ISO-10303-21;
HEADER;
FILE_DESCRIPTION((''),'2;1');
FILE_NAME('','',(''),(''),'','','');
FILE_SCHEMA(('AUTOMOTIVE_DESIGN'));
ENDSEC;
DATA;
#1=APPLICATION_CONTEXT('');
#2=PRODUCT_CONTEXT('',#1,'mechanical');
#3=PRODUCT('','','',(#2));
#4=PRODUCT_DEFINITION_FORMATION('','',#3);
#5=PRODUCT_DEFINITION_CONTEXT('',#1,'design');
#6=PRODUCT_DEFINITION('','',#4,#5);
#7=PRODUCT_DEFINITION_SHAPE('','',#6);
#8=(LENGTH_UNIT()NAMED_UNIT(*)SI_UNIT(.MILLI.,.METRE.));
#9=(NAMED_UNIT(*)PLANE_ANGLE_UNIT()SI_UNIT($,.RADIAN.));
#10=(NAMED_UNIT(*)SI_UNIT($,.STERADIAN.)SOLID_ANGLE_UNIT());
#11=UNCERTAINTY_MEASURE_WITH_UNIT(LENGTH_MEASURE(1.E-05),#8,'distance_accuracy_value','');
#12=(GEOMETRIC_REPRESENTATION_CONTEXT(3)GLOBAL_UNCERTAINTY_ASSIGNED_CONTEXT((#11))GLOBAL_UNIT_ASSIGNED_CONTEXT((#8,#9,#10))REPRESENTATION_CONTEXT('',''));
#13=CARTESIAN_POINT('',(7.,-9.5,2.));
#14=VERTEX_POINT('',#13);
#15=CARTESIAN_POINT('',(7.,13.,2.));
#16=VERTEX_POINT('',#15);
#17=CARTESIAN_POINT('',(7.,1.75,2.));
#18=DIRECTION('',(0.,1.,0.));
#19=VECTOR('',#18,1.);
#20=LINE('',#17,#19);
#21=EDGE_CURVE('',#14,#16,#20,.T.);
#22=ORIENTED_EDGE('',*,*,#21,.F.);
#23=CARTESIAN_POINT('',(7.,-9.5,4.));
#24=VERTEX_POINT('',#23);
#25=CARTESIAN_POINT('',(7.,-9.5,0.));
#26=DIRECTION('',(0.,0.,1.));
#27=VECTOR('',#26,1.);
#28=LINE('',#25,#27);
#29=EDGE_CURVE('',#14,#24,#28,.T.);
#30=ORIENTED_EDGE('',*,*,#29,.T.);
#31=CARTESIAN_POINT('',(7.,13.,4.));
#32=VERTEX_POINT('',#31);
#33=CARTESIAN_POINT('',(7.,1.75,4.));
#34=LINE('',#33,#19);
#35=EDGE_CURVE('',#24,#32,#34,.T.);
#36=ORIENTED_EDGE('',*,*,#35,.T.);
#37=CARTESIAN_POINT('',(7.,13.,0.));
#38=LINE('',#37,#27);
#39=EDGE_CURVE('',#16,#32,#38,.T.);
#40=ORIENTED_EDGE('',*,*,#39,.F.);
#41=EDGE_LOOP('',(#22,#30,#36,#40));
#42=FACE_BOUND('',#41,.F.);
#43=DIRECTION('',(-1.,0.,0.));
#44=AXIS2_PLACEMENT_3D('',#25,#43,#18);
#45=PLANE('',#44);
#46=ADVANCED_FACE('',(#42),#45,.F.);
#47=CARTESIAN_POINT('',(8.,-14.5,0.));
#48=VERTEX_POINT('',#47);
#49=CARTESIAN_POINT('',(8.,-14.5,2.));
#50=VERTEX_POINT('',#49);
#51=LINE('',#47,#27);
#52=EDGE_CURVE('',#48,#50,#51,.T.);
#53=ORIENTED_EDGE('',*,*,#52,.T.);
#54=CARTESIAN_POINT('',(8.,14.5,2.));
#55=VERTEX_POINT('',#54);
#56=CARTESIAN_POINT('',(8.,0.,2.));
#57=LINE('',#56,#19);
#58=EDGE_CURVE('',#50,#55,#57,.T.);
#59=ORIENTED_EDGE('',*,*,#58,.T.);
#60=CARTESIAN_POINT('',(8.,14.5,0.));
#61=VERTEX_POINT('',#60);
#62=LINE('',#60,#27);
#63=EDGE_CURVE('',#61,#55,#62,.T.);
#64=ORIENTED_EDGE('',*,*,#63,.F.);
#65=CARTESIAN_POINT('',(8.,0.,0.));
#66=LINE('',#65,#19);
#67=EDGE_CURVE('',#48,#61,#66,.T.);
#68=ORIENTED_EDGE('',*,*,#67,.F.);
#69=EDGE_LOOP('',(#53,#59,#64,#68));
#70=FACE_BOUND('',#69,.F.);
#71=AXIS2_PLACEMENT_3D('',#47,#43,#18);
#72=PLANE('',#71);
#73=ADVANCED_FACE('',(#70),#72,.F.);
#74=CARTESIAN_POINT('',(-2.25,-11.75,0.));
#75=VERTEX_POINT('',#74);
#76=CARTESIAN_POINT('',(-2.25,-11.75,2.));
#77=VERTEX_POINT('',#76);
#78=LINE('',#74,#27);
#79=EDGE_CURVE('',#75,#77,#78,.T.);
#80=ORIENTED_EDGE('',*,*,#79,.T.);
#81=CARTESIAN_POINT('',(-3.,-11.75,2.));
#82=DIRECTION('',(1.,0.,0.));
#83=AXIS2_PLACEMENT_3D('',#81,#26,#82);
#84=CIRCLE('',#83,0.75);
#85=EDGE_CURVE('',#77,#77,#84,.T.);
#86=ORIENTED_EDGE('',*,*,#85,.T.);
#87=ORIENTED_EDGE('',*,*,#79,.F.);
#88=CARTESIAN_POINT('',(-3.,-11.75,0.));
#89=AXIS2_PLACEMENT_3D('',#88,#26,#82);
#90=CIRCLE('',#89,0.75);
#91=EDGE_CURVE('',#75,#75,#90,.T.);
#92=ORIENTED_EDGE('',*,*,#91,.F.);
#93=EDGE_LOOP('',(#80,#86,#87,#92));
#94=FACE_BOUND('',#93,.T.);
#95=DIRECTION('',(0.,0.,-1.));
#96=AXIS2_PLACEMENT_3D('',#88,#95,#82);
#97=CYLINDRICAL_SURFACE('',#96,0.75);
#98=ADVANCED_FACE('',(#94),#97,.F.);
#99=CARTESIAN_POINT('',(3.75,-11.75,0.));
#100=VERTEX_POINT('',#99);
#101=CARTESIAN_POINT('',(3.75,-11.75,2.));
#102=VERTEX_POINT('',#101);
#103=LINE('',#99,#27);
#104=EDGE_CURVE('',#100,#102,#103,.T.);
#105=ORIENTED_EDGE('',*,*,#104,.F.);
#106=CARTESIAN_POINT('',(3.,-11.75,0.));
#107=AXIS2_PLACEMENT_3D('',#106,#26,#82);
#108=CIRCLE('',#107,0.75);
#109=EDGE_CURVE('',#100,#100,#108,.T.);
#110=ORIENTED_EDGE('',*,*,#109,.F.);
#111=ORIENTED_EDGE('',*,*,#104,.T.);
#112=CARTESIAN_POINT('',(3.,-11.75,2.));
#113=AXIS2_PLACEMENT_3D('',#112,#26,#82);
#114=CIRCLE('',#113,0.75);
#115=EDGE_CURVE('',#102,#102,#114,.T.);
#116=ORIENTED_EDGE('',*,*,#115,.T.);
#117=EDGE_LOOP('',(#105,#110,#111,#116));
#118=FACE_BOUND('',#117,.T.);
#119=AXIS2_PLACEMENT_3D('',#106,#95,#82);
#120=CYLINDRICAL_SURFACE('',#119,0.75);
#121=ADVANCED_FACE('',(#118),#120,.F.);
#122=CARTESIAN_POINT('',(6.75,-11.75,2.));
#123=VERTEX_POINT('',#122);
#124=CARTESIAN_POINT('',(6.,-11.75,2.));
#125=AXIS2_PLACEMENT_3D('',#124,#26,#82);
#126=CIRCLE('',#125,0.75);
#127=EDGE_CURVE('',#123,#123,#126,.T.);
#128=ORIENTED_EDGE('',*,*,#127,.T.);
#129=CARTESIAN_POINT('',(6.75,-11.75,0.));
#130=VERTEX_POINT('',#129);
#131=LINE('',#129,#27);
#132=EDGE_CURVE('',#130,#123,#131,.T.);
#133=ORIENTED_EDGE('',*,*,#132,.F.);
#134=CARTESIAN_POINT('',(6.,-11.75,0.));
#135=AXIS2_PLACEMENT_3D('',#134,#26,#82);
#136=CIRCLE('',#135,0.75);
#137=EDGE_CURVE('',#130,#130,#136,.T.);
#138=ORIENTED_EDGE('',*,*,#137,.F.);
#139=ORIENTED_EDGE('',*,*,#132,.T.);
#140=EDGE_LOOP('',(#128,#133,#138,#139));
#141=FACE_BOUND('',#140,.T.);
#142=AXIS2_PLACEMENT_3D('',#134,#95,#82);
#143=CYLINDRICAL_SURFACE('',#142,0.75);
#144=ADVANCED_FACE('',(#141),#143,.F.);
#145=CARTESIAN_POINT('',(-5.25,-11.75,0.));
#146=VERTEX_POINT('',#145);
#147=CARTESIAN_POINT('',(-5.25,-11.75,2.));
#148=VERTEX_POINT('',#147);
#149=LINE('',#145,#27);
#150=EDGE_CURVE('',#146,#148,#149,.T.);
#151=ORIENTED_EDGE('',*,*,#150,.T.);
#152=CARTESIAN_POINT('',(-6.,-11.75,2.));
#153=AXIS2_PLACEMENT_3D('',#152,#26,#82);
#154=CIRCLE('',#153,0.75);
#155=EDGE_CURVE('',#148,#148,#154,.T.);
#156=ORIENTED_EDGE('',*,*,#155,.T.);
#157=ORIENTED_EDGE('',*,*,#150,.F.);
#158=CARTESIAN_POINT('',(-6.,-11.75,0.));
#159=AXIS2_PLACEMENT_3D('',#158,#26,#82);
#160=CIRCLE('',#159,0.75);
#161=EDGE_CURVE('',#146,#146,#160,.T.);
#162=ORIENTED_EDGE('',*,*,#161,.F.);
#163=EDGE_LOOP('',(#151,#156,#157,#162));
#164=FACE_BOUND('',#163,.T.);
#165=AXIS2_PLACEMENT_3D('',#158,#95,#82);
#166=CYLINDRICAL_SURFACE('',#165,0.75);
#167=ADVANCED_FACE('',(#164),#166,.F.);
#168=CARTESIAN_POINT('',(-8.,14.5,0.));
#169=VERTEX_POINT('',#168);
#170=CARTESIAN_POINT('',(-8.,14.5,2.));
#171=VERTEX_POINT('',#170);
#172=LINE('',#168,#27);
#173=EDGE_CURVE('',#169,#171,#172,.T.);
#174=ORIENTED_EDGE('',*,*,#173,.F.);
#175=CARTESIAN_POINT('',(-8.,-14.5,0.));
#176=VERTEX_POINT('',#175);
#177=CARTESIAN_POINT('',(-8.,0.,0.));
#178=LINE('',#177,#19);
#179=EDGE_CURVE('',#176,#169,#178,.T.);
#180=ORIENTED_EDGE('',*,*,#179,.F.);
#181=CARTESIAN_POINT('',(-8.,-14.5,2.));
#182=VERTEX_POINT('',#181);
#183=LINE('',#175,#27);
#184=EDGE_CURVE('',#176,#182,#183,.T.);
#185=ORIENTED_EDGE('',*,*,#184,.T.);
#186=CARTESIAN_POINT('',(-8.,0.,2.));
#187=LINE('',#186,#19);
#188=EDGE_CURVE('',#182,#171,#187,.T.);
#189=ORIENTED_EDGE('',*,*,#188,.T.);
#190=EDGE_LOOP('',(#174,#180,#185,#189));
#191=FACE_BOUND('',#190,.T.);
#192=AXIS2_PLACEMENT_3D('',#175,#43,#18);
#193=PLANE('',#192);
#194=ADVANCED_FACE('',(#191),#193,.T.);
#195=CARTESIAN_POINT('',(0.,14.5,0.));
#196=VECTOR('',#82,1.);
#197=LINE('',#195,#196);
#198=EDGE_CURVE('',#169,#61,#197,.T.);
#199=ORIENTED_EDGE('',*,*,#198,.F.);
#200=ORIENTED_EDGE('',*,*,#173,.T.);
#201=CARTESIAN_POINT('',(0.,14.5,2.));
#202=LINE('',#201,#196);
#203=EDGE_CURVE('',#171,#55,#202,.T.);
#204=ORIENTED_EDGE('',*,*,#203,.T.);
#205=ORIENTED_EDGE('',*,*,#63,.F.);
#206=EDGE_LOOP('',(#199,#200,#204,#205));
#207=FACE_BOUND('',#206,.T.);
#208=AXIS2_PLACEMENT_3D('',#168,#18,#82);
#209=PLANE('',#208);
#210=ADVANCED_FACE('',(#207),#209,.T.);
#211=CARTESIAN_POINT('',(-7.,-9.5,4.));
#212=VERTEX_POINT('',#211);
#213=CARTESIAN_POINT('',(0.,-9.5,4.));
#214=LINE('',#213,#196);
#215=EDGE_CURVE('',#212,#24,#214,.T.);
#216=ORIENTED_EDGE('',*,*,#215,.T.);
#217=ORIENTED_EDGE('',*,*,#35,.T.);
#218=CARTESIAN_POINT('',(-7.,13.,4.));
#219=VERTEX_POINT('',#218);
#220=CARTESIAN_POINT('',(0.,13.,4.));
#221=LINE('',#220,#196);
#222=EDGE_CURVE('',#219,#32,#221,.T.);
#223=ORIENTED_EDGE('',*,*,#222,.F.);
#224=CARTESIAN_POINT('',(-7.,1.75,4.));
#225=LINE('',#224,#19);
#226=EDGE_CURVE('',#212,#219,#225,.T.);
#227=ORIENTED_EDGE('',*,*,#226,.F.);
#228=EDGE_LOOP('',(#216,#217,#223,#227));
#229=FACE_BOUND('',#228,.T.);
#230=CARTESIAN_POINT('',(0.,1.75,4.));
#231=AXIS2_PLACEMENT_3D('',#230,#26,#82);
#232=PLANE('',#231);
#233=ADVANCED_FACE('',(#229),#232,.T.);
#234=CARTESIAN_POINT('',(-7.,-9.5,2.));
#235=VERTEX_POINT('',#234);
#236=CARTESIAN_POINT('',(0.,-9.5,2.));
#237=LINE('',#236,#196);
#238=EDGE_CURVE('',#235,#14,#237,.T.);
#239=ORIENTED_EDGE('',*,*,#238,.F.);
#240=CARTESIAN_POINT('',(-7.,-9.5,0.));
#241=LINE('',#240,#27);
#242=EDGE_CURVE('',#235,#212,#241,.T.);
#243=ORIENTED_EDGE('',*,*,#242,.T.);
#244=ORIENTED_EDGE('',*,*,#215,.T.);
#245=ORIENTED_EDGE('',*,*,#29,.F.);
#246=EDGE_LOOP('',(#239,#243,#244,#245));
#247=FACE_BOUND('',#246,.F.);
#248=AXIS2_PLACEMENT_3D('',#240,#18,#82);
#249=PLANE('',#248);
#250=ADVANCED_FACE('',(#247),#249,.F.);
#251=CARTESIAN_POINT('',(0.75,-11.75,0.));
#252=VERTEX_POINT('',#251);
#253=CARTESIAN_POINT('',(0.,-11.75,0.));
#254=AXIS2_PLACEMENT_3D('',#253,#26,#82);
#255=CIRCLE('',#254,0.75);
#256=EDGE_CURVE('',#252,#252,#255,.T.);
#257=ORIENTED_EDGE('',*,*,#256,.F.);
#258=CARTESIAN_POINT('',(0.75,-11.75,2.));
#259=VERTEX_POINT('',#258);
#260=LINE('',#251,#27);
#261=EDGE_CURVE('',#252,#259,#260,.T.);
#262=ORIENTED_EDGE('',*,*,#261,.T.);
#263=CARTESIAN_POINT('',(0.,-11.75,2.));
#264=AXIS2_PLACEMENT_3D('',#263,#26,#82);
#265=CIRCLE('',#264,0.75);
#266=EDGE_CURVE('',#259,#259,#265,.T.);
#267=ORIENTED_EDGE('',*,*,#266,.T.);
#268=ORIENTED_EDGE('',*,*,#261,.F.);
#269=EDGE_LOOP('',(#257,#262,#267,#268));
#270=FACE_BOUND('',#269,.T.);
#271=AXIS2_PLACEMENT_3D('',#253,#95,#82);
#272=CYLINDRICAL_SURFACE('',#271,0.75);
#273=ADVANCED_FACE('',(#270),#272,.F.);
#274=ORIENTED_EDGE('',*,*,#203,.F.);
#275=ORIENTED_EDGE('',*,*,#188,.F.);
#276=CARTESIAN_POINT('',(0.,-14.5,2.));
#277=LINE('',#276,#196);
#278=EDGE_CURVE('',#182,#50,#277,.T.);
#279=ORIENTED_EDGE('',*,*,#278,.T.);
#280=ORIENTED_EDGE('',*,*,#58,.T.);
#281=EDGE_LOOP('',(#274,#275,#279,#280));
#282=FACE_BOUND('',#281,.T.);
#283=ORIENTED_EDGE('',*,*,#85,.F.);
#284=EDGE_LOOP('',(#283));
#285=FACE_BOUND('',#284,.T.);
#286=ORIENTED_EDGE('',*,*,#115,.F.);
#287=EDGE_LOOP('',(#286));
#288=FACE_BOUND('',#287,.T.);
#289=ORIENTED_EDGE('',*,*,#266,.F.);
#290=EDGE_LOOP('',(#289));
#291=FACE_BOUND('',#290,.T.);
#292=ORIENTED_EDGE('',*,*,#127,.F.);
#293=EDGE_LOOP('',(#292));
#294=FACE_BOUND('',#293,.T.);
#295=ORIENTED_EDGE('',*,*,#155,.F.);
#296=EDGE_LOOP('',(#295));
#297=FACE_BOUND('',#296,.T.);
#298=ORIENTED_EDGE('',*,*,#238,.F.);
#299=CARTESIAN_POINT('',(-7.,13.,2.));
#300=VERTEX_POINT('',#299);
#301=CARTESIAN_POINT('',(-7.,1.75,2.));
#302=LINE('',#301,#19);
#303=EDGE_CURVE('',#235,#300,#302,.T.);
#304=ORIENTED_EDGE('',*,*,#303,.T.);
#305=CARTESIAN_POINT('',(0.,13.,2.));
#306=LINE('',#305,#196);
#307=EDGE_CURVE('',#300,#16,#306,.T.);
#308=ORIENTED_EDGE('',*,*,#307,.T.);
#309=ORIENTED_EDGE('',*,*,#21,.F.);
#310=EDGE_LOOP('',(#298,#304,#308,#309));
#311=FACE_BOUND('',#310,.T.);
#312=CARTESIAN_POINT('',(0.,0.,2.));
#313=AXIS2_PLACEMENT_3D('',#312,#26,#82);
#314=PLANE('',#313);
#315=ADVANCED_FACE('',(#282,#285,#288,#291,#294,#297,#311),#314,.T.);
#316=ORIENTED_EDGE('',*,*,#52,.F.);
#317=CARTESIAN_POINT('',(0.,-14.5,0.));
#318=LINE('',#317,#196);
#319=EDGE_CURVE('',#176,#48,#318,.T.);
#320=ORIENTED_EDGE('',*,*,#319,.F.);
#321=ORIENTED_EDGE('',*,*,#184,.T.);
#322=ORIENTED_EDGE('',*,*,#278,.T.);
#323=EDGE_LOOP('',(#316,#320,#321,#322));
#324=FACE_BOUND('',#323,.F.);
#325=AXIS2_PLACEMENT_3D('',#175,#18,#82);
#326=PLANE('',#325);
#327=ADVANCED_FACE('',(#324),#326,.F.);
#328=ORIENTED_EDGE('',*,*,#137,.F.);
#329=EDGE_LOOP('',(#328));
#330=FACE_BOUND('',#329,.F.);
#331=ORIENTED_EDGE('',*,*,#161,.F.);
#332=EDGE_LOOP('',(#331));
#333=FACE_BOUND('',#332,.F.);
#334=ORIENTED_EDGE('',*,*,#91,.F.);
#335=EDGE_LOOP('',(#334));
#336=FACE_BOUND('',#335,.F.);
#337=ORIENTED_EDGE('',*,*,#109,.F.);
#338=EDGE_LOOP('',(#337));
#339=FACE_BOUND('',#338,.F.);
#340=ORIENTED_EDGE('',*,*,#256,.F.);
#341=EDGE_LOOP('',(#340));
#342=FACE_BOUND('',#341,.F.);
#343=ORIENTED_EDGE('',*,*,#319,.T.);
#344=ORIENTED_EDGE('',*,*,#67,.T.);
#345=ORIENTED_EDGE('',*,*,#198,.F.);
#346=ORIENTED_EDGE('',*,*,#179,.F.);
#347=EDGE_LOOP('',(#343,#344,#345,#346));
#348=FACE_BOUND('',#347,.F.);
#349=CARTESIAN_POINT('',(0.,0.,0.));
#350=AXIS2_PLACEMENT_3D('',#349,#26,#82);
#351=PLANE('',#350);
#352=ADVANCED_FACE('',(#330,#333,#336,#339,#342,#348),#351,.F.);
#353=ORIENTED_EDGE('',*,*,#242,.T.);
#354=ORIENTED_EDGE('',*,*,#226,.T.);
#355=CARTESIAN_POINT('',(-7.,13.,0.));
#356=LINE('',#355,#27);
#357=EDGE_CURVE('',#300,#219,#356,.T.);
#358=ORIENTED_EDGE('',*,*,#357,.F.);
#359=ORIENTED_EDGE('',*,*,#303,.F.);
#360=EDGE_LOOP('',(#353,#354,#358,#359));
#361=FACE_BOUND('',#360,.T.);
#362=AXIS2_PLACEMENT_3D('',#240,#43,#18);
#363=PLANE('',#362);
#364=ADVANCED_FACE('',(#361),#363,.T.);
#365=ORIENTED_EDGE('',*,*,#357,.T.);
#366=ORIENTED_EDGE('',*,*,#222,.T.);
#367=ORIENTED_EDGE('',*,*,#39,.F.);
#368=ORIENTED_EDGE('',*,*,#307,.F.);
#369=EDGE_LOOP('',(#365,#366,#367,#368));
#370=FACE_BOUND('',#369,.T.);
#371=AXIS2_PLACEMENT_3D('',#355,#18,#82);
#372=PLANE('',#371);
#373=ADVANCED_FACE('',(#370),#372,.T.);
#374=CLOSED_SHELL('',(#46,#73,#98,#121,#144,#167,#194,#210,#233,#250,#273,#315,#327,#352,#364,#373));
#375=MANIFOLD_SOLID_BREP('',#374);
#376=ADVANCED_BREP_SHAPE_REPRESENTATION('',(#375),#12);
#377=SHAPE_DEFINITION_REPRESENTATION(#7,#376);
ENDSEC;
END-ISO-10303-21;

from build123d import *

# Parameters (mm, degrees)
F0_W     = 16
F0_H     = 29
F0_R     = 0.75
F0_W_2   = 14
F0_H_2   = 22.5
F1_DEPTH = 2
F2_DEPTH = 4


with BuildPart() as f1:
    # F0 (on Top) → F1 (new body)
    with BuildSketch(Plane.XY):
        Rectangle(F0_W, F0_H)
        with Locations((-6, -11.75)):
            Circle(F0_R, mode=Mode.SUBTRACT)
        with Locations((-3, -11.75)):
            Circle(F0_R, mode=Mode.SUBTRACT)
        with Locations((0, -11.75)):
            Circle(F0_R, mode=Mode.SUBTRACT)
        with Locations((3, -11.75)):
            Circle(F0_R, mode=Mode.SUBTRACT)
        with Locations((6, -11.75)):
            Circle(F0_R, mode=Mode.SUBTRACT)
        with Locations((0, 1.75)):
            Rectangle(F0_W_2, F0_H_2, mode=Mode.SUBTRACT)
    extrude(amount=F1_DEPTH)

    # F0 (on Top) → F2 (join)
    with BuildSketch(Plane.XY):
        with Locations((0, 1.75)):
            Rectangle(F0_W_2, F0_H_2)
    extrude(amount=F2_DEPTH)


solid = f1.part
